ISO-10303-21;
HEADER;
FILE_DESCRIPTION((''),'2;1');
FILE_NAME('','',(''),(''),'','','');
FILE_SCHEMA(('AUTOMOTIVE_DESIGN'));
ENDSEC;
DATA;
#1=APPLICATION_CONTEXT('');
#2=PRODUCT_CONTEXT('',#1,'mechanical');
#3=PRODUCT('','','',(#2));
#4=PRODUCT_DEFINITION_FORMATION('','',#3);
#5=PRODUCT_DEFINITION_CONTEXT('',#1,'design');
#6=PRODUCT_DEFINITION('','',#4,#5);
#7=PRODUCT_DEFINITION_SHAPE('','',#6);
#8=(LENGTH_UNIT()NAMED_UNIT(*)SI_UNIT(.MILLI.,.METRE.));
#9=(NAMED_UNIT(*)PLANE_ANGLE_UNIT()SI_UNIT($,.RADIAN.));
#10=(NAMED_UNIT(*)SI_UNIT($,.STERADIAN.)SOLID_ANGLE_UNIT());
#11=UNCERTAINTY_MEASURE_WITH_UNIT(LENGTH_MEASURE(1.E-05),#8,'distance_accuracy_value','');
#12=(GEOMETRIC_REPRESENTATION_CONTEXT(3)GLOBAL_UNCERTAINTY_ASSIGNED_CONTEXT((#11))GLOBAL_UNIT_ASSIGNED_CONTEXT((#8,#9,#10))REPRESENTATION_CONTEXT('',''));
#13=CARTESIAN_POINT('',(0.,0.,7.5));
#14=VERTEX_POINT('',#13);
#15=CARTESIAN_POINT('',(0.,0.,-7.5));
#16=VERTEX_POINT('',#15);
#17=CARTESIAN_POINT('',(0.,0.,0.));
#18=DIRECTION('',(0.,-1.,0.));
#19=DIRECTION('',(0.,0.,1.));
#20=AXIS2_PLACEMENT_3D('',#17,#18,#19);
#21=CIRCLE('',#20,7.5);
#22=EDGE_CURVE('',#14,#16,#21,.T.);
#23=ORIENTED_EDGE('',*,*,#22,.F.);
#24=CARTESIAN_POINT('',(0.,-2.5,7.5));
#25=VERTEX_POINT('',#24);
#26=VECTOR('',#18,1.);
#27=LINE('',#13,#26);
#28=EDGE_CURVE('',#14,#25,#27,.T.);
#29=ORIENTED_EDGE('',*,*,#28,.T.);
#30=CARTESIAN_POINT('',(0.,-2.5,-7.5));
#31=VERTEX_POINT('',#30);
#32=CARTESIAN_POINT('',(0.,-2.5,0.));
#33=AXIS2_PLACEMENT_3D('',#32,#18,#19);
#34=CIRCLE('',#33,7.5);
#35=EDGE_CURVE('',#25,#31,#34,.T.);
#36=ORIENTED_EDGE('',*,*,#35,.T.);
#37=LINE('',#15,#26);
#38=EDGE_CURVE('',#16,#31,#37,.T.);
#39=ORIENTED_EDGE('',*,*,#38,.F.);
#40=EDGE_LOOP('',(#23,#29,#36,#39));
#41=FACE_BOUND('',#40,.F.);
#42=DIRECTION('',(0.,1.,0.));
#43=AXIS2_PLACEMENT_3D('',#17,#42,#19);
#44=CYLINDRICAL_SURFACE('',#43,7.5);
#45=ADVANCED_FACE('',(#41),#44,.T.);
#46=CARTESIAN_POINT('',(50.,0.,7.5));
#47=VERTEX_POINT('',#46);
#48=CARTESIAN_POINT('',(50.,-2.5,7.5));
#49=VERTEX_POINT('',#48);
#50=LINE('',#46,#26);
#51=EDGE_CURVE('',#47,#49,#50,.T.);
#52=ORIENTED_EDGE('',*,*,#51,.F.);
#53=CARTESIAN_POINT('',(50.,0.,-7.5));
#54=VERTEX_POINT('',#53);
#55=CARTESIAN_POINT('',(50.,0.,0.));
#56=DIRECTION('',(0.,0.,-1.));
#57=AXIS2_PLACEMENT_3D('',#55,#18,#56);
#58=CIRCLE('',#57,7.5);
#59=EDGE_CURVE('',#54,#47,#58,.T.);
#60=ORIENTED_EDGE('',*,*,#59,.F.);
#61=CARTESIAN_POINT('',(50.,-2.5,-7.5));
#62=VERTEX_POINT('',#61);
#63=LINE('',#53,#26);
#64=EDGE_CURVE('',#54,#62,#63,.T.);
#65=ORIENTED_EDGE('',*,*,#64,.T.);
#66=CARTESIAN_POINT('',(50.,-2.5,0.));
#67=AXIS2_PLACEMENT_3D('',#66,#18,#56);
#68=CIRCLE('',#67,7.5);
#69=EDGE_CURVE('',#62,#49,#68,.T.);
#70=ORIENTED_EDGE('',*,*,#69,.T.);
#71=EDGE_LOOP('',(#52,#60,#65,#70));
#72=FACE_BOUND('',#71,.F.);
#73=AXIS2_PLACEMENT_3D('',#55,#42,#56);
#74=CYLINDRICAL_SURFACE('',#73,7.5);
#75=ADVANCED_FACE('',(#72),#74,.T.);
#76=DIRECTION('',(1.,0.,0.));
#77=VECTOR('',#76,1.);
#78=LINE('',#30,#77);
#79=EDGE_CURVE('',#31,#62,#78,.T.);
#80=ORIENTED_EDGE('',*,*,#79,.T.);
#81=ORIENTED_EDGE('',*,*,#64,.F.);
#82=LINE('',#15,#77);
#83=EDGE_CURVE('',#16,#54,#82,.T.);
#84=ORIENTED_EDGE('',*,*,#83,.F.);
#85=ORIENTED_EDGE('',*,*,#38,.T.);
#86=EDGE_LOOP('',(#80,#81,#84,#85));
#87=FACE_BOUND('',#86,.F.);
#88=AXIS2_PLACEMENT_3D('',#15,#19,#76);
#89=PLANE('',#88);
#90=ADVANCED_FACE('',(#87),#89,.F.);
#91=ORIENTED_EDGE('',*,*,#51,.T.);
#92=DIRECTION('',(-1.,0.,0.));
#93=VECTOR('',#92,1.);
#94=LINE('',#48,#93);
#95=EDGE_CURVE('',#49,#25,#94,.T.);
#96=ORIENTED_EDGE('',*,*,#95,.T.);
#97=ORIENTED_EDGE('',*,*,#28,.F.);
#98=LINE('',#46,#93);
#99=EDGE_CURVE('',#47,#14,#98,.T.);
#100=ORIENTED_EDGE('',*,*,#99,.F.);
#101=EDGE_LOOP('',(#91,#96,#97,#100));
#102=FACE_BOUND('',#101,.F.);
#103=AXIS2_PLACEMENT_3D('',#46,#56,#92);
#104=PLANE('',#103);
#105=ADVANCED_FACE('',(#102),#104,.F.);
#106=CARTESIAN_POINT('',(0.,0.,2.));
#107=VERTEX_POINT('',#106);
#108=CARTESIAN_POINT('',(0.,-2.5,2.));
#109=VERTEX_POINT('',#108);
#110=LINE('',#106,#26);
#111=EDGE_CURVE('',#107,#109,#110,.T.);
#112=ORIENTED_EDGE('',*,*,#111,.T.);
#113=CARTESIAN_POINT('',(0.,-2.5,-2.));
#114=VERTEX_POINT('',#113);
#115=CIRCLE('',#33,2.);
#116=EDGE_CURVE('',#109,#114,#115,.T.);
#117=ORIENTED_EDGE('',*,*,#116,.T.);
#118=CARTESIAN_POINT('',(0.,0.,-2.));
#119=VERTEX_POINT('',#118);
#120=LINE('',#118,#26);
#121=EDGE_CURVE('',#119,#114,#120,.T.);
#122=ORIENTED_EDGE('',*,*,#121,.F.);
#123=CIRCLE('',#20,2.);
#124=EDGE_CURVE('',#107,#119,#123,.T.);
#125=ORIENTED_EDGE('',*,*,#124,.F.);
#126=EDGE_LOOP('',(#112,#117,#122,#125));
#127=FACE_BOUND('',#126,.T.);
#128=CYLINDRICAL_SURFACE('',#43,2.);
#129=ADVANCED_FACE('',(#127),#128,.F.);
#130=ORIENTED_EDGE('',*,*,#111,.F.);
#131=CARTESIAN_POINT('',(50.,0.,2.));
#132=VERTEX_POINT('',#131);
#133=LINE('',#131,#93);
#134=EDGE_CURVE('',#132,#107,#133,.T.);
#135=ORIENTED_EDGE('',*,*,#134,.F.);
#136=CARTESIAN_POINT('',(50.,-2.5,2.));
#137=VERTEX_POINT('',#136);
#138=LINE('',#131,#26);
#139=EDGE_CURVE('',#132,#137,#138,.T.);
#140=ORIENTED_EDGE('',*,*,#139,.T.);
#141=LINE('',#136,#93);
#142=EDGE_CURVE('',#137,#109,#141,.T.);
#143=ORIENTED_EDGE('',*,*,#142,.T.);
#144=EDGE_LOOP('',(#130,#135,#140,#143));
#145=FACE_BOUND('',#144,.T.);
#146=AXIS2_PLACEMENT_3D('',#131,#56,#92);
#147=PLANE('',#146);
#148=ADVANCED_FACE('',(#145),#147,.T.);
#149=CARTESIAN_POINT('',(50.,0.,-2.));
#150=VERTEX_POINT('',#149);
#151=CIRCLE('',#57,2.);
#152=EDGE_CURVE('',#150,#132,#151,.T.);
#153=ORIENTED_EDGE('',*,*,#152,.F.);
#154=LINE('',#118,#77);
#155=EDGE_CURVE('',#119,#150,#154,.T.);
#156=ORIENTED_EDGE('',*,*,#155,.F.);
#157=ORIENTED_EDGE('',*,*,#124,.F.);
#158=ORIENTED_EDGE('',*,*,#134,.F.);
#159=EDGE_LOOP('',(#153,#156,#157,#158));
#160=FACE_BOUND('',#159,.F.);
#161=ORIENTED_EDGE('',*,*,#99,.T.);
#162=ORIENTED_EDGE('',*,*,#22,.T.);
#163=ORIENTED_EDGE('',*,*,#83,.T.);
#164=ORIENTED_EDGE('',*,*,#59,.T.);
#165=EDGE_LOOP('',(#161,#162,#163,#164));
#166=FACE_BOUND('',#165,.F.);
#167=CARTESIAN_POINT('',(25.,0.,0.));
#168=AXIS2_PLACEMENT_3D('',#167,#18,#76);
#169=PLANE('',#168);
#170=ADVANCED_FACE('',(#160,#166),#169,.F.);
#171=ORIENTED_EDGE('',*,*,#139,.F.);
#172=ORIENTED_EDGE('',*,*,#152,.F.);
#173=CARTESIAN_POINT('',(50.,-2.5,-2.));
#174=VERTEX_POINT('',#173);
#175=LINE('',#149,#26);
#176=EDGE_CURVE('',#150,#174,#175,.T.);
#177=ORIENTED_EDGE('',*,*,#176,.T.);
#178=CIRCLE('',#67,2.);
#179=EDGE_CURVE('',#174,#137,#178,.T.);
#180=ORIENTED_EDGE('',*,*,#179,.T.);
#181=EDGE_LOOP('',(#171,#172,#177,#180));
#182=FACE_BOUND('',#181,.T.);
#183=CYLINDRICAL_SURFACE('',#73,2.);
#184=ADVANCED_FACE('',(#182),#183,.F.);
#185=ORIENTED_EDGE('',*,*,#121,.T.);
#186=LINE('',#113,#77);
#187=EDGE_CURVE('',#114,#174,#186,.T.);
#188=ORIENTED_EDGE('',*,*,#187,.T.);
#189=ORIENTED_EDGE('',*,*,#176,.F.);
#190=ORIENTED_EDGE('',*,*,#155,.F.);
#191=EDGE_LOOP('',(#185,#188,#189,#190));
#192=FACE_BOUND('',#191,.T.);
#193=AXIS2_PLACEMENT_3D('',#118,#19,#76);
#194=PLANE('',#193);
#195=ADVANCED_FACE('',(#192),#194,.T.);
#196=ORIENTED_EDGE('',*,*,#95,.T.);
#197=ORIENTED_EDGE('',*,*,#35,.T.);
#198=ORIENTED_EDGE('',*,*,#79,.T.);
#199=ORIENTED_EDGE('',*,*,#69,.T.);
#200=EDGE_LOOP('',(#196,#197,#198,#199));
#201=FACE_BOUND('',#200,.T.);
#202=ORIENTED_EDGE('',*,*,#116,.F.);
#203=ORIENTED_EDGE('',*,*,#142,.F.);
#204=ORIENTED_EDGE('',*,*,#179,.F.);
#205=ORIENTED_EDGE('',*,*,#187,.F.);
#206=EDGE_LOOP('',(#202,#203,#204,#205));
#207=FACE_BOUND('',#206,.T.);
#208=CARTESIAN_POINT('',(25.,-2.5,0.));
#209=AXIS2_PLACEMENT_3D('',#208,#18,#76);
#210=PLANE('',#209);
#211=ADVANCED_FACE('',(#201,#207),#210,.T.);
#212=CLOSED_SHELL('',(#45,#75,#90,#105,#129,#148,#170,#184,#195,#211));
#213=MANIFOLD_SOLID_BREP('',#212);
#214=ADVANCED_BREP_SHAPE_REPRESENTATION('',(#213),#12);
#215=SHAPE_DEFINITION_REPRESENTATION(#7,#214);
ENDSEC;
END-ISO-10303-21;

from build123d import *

# Parameters (mm, degrees)
PAD_DEPTH = 2.5


with BuildPart() as part:
    # Sketch → Pad (new body)
    with BuildSketch(Plane.XZ):
        with BuildLine():
            ThreePointArc((0, 7.5), (-7.5, 0), (0, -7.5))
            Line((0, -7.5), (50, -7.5))
            ThreePointArc((50, -7.5), (57.5, 0), (50, 7.5))
            Line((50, 7.5), (0, 7.5))
        make_face()
        with BuildLine():
            ThreePointArc((0, 2), (-2, 0), (0, -2))
            Line((0, -2), (50, -2))
            ThreePointArc((50, -2), (52, 0), (50, 2))
            Line((50, 2), (0, 2))
        make_face(mode=Mode.SUBTRACT)
    extrude(amount=PAD_DEPTH)


solid = part.part
